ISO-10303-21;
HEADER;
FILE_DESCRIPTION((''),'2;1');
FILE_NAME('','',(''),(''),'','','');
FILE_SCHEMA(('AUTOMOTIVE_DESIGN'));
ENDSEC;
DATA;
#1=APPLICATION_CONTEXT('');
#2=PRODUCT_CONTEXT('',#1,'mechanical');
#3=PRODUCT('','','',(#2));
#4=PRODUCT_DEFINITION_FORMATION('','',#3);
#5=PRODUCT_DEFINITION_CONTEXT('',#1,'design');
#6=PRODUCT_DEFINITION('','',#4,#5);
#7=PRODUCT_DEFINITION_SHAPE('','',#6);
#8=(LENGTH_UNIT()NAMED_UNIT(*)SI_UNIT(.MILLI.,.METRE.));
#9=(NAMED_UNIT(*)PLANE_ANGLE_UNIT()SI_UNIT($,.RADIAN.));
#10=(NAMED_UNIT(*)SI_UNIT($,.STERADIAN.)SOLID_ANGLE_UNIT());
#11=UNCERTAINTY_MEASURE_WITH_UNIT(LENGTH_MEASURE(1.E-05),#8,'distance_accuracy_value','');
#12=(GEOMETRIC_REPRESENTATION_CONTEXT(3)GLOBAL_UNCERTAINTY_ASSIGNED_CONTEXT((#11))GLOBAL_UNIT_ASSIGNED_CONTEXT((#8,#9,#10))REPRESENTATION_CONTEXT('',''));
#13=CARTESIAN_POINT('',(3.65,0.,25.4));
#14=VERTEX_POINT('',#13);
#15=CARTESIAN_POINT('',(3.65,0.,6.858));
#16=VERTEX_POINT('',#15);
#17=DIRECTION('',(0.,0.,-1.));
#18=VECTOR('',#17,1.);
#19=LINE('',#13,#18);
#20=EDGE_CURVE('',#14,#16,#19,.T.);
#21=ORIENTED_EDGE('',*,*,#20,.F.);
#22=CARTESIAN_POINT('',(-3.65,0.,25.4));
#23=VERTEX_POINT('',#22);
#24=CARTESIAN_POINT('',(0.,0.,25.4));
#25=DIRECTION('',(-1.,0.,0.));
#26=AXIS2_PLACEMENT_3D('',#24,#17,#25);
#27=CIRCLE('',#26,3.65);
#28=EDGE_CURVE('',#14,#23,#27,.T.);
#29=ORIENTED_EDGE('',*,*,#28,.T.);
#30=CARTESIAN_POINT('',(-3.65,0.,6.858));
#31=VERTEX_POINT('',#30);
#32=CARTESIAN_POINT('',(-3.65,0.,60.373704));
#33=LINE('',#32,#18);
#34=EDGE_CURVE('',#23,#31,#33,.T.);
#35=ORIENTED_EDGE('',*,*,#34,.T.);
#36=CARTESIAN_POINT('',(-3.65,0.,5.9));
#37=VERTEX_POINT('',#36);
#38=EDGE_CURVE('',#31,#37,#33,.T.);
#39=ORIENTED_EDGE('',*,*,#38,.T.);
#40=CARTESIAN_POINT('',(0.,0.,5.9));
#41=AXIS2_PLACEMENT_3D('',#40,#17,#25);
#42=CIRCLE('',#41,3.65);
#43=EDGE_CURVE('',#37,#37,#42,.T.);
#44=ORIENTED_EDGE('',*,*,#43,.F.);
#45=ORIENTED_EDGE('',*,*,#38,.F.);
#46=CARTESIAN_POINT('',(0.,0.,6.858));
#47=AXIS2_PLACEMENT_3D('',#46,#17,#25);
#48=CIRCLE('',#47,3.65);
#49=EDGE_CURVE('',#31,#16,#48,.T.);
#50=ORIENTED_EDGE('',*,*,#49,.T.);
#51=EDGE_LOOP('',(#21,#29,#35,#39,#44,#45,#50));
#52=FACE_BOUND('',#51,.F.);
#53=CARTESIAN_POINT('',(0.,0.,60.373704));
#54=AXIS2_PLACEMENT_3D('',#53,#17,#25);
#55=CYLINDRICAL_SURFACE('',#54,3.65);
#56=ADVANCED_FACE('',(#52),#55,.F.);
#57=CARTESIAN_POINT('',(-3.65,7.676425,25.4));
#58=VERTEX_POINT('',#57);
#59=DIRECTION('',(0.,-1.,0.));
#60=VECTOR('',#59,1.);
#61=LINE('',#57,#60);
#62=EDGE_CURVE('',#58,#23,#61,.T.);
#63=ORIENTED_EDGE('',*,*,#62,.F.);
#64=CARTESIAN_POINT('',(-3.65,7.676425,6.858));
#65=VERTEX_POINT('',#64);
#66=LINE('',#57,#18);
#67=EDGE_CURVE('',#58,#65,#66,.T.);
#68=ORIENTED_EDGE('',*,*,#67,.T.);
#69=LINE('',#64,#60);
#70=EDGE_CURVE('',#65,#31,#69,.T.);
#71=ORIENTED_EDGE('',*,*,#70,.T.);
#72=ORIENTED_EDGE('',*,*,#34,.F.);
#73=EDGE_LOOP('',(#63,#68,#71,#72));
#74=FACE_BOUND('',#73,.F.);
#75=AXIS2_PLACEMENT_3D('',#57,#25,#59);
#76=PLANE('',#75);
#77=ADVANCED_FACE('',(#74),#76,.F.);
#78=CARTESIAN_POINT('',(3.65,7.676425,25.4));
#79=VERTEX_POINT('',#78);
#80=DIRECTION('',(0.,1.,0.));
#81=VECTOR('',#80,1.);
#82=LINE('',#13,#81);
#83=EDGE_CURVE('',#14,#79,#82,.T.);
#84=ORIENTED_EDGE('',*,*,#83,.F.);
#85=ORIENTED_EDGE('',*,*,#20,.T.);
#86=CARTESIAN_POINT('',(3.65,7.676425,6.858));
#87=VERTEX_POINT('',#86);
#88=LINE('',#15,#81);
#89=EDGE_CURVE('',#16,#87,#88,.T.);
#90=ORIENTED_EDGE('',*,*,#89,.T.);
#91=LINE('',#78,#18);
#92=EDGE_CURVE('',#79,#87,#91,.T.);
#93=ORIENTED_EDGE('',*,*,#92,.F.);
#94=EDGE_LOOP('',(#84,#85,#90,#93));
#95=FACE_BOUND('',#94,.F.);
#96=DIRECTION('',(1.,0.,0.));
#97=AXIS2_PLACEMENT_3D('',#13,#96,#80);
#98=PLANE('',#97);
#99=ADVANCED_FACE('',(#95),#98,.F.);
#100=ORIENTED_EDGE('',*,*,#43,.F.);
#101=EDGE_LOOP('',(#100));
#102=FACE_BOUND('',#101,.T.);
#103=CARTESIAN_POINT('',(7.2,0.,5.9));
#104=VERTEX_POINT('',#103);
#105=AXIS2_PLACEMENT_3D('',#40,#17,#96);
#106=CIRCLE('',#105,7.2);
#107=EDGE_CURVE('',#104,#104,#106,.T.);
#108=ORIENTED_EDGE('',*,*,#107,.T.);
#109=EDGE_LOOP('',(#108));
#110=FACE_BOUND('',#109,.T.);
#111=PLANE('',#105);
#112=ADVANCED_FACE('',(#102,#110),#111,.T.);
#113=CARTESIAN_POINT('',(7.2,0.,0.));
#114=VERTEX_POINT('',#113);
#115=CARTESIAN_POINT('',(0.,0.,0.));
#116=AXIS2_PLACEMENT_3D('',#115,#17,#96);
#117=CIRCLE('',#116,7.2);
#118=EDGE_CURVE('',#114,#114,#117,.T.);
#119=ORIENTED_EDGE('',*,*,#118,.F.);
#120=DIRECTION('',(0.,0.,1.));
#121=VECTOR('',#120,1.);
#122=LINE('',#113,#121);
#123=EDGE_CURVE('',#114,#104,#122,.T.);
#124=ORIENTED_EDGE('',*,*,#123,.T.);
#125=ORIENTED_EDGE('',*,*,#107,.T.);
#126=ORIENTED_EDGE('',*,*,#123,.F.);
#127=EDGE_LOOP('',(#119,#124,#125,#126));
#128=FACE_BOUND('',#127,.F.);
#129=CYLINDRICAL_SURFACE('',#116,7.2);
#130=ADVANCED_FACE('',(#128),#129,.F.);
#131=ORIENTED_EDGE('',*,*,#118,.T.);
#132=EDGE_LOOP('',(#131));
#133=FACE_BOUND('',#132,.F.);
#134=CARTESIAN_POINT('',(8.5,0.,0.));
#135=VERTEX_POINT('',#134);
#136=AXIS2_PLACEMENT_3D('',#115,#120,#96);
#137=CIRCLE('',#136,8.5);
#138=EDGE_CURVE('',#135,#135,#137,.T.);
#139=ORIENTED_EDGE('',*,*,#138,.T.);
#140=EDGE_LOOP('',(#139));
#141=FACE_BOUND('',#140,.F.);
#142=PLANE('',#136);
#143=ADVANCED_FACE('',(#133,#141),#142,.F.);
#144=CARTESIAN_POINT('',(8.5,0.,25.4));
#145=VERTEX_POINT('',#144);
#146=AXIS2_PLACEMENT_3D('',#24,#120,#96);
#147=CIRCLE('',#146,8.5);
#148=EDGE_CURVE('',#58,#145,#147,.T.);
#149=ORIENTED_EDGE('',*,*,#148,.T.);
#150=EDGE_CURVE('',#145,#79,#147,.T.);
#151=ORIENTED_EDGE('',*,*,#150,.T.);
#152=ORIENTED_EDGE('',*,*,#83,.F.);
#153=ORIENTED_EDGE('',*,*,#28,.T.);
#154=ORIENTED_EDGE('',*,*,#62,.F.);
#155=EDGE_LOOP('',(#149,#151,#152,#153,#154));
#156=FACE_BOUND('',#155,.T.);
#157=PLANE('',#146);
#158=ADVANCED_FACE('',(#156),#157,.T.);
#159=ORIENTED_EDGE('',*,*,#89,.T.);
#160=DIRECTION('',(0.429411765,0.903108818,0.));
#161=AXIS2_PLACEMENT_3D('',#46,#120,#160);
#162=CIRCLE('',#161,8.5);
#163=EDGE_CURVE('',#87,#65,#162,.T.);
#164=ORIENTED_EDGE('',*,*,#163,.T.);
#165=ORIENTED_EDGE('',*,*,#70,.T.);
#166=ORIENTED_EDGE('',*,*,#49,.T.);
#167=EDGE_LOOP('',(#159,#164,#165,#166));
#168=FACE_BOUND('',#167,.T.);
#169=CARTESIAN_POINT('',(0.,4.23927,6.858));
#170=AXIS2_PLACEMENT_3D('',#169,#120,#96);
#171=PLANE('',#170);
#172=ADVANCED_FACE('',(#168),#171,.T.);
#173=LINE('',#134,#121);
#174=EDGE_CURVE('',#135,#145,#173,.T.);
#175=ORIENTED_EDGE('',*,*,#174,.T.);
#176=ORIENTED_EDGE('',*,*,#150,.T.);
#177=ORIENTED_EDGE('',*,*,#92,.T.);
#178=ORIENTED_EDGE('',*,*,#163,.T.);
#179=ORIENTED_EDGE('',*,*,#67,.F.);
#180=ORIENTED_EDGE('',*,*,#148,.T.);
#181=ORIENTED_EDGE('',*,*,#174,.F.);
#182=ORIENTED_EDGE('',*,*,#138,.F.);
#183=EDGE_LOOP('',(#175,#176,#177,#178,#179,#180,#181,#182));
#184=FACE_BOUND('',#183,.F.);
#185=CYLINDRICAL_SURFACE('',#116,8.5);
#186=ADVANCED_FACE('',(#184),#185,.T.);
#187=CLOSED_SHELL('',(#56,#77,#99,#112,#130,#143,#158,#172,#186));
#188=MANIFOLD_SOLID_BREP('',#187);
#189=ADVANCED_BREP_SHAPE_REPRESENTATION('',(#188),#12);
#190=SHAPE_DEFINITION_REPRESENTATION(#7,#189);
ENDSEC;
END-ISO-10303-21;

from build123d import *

# Parameters (mm, degrees)
F0_R     = 8.5
F1_DEPTH = 25.4
F3_D     = 7.3
F5_DEPTH = 18.542
F6_R     = 7.2
F6_R_2   = 3.65
F7_DEPTH = 5.9


with BuildPart() as f1:
    # F0 (on Top) → F1 (new body)
    with BuildSketch(Plane.XY):
        Circle(F0_R)
    extrude(amount=F1_DEPTH)

    # F3 (through all)
    with Locations(Plane.XY.offset(25.4)):
        with Locations((0, 0)):
            Hole(F3_D / 2)

    # F4 (on face) → F5 (cut)
    with BuildSketch(Plane.XY.offset(25.4)):
        with BuildLine():
            Line((-3.65, 7.6764249492), (-3.65, 0))
            ThreePointArc((-3.65, 0), (0, 3.65), (3.65, 0))
            Line((3.65, 0), (3.65, 7.6764249492))
            ThreePointArc((3.65, 7.6764249492), (0, 8.5), (-3.65, 7.6764249492))
        make_face()
    extrude(amount=-F5_DEPTH, mode=Mode.SUBTRACT)

    # F6 (on face) → F7 (cut)
    with BuildSketch(Plane(origin=(0, 0, 0), x_dir=(1, 0, 0), z_dir=(0, 0, -1))):
        Circle(F6_R)
        Circle(F6_R_2, mode=Mode.SUBTRACT)
    extrude(amount=-F7_DEPTH, mode=Mode.SUBTRACT)


solid = f1.part
